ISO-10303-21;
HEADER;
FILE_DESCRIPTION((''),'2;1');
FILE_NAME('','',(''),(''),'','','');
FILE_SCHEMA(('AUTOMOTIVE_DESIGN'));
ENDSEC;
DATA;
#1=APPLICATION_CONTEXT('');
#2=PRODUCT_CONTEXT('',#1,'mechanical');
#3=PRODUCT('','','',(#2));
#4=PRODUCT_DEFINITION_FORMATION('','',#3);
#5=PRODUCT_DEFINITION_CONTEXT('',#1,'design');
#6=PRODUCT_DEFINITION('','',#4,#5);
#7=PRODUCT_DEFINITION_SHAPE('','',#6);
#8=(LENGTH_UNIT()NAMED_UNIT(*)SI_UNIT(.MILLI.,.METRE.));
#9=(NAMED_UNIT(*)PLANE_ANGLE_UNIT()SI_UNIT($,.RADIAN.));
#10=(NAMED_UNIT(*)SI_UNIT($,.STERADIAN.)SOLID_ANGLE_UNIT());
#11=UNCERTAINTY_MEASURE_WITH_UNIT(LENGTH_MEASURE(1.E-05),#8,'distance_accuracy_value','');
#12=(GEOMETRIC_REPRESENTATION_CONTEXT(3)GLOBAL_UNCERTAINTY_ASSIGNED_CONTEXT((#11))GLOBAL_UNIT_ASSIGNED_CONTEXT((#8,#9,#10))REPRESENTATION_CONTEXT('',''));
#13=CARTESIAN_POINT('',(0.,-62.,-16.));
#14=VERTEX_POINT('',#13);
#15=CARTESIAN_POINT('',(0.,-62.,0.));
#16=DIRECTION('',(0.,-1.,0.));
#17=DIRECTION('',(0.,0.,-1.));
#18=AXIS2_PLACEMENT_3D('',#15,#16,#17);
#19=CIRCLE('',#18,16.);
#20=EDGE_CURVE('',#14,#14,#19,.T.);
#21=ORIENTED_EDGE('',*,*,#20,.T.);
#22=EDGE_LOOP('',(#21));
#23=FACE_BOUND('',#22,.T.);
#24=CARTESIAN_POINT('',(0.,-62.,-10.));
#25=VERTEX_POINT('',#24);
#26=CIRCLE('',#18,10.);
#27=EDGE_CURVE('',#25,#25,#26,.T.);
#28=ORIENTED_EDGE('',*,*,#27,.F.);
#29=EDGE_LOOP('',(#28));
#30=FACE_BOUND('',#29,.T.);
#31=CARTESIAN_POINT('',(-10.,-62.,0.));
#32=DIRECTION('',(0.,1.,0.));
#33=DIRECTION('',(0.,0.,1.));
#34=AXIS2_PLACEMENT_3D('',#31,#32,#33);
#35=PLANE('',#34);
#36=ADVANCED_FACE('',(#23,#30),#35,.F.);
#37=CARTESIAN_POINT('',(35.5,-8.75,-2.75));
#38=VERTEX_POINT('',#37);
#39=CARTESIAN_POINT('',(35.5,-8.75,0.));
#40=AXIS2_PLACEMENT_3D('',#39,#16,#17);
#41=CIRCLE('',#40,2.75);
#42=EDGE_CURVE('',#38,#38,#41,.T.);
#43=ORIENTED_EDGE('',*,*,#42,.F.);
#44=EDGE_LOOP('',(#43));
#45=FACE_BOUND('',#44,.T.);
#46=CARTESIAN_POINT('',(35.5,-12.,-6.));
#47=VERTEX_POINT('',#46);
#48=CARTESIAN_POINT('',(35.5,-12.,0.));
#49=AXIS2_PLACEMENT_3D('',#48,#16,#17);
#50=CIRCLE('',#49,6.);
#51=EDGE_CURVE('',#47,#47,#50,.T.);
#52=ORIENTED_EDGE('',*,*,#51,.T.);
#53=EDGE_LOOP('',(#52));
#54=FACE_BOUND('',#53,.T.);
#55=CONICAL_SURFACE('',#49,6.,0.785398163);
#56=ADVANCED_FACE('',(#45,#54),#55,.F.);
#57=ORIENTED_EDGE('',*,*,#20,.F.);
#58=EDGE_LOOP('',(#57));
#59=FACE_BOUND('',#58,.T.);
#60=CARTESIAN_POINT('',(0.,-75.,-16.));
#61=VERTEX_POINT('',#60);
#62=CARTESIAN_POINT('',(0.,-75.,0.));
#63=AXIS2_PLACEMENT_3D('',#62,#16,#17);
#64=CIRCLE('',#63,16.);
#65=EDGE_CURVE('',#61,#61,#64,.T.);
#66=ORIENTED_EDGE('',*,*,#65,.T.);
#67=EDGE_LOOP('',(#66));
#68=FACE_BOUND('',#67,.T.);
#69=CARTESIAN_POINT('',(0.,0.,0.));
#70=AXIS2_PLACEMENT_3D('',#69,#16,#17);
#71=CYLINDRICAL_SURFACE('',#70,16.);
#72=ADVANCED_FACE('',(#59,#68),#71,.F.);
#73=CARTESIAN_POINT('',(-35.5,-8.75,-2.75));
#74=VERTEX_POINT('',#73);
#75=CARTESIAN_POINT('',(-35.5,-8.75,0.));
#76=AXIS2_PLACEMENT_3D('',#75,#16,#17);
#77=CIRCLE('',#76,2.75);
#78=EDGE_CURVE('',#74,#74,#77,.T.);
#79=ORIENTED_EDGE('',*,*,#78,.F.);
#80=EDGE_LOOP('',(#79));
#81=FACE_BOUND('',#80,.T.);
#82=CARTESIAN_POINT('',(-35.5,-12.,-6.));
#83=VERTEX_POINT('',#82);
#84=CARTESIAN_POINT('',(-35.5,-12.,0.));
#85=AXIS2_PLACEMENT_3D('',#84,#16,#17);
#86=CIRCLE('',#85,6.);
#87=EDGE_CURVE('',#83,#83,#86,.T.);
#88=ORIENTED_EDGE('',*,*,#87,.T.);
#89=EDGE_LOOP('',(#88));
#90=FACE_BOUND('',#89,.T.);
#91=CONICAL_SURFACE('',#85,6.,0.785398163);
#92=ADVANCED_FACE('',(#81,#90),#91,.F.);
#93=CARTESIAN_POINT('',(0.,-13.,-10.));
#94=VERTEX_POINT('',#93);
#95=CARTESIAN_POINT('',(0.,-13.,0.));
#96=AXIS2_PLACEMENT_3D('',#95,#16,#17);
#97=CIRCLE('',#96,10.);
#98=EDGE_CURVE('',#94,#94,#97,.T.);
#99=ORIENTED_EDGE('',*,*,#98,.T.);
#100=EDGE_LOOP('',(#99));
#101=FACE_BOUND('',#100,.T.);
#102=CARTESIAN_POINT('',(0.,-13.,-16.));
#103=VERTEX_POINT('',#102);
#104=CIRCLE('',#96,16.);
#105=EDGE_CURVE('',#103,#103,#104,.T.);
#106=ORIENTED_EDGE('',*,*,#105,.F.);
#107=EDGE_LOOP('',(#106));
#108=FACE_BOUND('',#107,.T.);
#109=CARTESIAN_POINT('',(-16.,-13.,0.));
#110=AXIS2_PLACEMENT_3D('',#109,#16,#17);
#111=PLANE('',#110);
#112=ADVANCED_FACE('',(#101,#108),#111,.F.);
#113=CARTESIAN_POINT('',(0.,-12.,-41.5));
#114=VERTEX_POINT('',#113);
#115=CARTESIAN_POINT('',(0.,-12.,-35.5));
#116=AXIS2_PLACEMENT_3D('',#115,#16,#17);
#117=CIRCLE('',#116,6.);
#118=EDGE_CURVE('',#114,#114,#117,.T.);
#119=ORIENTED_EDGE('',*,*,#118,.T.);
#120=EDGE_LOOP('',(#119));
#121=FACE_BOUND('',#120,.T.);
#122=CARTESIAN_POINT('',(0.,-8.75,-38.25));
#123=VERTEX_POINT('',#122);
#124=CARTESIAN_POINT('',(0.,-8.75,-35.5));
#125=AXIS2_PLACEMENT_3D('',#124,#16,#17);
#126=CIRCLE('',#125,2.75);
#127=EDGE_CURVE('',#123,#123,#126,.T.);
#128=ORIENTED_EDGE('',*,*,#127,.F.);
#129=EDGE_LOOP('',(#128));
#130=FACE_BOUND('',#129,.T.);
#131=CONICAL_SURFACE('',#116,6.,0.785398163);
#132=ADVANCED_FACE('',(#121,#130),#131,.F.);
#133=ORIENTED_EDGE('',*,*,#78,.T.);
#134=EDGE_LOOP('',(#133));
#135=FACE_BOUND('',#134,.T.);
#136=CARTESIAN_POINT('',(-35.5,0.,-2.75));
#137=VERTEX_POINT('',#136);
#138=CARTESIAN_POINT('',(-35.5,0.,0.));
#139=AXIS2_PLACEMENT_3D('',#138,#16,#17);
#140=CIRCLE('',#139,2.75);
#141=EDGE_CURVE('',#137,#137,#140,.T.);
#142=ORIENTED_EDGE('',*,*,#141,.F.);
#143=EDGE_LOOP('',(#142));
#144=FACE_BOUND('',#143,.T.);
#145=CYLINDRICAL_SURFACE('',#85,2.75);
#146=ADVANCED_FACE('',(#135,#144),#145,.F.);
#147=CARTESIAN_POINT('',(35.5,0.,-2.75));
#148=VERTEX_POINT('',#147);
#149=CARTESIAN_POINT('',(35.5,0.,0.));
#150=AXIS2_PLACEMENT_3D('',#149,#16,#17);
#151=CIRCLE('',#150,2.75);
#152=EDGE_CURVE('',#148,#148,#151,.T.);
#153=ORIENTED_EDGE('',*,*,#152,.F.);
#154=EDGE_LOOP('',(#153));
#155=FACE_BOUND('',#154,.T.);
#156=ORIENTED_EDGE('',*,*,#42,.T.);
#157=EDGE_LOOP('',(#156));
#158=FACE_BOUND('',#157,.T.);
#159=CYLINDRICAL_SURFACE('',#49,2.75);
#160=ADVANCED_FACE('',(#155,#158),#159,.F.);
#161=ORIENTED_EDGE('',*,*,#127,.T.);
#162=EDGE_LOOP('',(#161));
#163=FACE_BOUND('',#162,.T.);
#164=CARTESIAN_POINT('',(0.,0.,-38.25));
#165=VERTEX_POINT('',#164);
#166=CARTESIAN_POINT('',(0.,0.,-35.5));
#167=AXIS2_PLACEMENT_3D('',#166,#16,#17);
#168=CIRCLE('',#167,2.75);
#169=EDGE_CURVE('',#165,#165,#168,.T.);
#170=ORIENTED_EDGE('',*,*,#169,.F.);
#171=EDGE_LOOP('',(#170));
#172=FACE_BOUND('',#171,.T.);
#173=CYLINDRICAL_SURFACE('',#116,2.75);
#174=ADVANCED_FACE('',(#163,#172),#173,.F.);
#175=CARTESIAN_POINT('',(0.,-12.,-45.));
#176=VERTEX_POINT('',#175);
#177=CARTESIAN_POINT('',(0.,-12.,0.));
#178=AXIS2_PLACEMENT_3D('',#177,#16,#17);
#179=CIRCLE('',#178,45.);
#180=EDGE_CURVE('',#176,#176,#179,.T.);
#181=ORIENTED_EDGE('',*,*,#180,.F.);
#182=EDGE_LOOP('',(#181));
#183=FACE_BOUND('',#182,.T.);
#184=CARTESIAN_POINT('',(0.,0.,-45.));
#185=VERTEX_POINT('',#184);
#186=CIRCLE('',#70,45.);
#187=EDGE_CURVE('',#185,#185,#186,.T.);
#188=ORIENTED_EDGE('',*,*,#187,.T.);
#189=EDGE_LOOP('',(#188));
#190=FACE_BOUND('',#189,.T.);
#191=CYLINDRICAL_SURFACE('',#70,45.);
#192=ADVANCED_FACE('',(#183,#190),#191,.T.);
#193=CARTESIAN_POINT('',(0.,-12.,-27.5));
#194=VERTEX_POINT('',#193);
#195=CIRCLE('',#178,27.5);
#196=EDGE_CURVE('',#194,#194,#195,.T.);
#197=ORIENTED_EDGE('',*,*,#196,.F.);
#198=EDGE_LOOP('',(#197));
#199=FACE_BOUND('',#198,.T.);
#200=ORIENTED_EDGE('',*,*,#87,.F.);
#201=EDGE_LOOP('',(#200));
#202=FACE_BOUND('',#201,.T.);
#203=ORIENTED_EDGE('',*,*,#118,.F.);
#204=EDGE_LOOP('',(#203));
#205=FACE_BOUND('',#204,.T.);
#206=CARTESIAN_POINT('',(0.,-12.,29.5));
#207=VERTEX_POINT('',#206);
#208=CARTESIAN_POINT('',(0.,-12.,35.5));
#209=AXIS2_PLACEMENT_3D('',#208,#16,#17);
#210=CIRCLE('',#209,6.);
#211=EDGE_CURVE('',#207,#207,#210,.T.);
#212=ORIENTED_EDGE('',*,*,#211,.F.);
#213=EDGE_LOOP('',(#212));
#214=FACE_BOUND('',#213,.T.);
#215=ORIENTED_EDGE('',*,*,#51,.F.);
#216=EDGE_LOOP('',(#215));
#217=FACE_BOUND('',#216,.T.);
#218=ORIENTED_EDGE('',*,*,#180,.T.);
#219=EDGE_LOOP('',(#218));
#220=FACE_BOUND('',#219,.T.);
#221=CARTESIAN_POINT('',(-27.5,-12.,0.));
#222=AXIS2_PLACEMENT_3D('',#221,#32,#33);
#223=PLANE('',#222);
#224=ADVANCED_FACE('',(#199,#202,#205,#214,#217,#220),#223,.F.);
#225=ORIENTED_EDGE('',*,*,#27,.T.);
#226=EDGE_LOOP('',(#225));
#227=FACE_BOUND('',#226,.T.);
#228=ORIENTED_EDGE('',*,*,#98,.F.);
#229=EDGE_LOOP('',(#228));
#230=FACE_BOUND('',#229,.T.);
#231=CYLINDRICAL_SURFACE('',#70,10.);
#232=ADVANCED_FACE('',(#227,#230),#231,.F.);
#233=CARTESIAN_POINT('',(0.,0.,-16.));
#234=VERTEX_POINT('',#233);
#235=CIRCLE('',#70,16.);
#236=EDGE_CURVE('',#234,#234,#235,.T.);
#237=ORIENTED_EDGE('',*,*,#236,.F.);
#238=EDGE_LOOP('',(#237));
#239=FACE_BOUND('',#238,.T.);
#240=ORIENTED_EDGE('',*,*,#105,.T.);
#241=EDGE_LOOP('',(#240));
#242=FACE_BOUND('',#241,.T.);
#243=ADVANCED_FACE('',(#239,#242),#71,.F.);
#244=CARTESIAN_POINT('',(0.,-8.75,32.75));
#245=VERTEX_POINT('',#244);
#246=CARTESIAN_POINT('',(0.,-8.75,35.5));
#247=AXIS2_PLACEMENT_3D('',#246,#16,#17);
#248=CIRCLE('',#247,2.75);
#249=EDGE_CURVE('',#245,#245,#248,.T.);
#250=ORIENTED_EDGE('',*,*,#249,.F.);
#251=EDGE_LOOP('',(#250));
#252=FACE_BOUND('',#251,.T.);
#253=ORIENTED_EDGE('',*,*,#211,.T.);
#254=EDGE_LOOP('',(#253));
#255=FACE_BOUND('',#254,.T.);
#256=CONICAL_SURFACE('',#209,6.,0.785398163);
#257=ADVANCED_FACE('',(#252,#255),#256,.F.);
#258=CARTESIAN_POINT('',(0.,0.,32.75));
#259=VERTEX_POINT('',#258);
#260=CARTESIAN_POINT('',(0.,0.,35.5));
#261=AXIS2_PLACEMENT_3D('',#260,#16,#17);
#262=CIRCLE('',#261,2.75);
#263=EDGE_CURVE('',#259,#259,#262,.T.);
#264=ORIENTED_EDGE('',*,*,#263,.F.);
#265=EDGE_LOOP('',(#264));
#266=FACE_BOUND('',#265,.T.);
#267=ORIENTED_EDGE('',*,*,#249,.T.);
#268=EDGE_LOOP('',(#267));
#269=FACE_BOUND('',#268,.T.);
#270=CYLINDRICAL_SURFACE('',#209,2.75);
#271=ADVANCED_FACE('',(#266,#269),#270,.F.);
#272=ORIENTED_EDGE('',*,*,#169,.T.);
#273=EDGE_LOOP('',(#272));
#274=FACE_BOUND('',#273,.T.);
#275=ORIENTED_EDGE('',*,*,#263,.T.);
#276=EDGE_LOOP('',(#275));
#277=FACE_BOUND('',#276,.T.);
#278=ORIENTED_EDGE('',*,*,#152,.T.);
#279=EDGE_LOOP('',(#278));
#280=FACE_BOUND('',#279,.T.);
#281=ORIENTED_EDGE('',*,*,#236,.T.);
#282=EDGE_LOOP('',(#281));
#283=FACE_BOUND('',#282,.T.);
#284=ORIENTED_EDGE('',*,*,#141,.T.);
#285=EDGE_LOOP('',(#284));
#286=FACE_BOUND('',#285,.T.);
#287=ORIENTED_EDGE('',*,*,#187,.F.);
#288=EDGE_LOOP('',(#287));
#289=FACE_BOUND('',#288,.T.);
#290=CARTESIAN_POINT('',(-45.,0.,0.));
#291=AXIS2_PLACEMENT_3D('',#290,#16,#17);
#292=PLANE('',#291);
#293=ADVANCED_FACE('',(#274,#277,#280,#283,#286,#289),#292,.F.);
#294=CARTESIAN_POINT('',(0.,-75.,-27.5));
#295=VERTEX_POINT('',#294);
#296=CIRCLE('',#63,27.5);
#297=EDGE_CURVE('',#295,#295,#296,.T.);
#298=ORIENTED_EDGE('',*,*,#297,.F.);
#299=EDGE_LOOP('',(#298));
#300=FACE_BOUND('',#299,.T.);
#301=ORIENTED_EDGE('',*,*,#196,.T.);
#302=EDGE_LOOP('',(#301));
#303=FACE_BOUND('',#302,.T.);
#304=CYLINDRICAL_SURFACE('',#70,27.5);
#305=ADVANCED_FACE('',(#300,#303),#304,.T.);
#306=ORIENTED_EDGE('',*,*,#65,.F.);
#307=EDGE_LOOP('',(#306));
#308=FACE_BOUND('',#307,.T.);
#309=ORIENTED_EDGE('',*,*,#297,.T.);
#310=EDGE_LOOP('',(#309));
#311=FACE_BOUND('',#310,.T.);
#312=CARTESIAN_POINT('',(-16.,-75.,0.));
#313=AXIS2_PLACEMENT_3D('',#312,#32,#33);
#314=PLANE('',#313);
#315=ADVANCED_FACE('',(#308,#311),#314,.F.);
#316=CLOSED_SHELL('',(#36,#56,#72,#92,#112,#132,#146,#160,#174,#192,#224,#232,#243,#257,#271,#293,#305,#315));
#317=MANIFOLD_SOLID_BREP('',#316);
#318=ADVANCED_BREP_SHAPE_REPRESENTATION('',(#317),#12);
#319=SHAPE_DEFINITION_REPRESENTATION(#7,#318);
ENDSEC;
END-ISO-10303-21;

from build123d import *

# Parameters (mm, degrees)
M5_CLEARANCE_HOLE1_D           = 5.5
M5_CLEARANCE_HOLE1_CSINK_D     = 12
M5_CLEARANCE_HOLE1_CSINK_ANGLE = 90


with BuildPart() as part:
    # Sketch1 → Revolve1 (revolve)
    with BuildSketch(Plane.XY):
        Polygon((-45, 0), (-16, 0), (-16, -13), (-10, -13), (-10, -62), (-16, -62), (-16, -75), (-27.5, -75), (-27.5, -12), (-45, -12), align=None)
    revolve(axis=Axis((0, 0, 0), (0, 1, 0)))

    # M5 Clearance Hole1 (through all)
    with Locations(Plane(origin=(0, -12, 0), x_dir=(-1, 0, 0), z_dir=(0, -1, 0))):
        with Locations((-35.5, 0), (0, -35.5), (35.5, 0), (0, 35.5)):
            CounterSinkHole(M5_CLEARANCE_HOLE1_D / 2, M5_CLEARANCE_HOLE1_CSINK_D / 2, counter_sink_angle=M5_CLEARANCE_HOLE1_CSINK_ANGLE)


solid = part.part
